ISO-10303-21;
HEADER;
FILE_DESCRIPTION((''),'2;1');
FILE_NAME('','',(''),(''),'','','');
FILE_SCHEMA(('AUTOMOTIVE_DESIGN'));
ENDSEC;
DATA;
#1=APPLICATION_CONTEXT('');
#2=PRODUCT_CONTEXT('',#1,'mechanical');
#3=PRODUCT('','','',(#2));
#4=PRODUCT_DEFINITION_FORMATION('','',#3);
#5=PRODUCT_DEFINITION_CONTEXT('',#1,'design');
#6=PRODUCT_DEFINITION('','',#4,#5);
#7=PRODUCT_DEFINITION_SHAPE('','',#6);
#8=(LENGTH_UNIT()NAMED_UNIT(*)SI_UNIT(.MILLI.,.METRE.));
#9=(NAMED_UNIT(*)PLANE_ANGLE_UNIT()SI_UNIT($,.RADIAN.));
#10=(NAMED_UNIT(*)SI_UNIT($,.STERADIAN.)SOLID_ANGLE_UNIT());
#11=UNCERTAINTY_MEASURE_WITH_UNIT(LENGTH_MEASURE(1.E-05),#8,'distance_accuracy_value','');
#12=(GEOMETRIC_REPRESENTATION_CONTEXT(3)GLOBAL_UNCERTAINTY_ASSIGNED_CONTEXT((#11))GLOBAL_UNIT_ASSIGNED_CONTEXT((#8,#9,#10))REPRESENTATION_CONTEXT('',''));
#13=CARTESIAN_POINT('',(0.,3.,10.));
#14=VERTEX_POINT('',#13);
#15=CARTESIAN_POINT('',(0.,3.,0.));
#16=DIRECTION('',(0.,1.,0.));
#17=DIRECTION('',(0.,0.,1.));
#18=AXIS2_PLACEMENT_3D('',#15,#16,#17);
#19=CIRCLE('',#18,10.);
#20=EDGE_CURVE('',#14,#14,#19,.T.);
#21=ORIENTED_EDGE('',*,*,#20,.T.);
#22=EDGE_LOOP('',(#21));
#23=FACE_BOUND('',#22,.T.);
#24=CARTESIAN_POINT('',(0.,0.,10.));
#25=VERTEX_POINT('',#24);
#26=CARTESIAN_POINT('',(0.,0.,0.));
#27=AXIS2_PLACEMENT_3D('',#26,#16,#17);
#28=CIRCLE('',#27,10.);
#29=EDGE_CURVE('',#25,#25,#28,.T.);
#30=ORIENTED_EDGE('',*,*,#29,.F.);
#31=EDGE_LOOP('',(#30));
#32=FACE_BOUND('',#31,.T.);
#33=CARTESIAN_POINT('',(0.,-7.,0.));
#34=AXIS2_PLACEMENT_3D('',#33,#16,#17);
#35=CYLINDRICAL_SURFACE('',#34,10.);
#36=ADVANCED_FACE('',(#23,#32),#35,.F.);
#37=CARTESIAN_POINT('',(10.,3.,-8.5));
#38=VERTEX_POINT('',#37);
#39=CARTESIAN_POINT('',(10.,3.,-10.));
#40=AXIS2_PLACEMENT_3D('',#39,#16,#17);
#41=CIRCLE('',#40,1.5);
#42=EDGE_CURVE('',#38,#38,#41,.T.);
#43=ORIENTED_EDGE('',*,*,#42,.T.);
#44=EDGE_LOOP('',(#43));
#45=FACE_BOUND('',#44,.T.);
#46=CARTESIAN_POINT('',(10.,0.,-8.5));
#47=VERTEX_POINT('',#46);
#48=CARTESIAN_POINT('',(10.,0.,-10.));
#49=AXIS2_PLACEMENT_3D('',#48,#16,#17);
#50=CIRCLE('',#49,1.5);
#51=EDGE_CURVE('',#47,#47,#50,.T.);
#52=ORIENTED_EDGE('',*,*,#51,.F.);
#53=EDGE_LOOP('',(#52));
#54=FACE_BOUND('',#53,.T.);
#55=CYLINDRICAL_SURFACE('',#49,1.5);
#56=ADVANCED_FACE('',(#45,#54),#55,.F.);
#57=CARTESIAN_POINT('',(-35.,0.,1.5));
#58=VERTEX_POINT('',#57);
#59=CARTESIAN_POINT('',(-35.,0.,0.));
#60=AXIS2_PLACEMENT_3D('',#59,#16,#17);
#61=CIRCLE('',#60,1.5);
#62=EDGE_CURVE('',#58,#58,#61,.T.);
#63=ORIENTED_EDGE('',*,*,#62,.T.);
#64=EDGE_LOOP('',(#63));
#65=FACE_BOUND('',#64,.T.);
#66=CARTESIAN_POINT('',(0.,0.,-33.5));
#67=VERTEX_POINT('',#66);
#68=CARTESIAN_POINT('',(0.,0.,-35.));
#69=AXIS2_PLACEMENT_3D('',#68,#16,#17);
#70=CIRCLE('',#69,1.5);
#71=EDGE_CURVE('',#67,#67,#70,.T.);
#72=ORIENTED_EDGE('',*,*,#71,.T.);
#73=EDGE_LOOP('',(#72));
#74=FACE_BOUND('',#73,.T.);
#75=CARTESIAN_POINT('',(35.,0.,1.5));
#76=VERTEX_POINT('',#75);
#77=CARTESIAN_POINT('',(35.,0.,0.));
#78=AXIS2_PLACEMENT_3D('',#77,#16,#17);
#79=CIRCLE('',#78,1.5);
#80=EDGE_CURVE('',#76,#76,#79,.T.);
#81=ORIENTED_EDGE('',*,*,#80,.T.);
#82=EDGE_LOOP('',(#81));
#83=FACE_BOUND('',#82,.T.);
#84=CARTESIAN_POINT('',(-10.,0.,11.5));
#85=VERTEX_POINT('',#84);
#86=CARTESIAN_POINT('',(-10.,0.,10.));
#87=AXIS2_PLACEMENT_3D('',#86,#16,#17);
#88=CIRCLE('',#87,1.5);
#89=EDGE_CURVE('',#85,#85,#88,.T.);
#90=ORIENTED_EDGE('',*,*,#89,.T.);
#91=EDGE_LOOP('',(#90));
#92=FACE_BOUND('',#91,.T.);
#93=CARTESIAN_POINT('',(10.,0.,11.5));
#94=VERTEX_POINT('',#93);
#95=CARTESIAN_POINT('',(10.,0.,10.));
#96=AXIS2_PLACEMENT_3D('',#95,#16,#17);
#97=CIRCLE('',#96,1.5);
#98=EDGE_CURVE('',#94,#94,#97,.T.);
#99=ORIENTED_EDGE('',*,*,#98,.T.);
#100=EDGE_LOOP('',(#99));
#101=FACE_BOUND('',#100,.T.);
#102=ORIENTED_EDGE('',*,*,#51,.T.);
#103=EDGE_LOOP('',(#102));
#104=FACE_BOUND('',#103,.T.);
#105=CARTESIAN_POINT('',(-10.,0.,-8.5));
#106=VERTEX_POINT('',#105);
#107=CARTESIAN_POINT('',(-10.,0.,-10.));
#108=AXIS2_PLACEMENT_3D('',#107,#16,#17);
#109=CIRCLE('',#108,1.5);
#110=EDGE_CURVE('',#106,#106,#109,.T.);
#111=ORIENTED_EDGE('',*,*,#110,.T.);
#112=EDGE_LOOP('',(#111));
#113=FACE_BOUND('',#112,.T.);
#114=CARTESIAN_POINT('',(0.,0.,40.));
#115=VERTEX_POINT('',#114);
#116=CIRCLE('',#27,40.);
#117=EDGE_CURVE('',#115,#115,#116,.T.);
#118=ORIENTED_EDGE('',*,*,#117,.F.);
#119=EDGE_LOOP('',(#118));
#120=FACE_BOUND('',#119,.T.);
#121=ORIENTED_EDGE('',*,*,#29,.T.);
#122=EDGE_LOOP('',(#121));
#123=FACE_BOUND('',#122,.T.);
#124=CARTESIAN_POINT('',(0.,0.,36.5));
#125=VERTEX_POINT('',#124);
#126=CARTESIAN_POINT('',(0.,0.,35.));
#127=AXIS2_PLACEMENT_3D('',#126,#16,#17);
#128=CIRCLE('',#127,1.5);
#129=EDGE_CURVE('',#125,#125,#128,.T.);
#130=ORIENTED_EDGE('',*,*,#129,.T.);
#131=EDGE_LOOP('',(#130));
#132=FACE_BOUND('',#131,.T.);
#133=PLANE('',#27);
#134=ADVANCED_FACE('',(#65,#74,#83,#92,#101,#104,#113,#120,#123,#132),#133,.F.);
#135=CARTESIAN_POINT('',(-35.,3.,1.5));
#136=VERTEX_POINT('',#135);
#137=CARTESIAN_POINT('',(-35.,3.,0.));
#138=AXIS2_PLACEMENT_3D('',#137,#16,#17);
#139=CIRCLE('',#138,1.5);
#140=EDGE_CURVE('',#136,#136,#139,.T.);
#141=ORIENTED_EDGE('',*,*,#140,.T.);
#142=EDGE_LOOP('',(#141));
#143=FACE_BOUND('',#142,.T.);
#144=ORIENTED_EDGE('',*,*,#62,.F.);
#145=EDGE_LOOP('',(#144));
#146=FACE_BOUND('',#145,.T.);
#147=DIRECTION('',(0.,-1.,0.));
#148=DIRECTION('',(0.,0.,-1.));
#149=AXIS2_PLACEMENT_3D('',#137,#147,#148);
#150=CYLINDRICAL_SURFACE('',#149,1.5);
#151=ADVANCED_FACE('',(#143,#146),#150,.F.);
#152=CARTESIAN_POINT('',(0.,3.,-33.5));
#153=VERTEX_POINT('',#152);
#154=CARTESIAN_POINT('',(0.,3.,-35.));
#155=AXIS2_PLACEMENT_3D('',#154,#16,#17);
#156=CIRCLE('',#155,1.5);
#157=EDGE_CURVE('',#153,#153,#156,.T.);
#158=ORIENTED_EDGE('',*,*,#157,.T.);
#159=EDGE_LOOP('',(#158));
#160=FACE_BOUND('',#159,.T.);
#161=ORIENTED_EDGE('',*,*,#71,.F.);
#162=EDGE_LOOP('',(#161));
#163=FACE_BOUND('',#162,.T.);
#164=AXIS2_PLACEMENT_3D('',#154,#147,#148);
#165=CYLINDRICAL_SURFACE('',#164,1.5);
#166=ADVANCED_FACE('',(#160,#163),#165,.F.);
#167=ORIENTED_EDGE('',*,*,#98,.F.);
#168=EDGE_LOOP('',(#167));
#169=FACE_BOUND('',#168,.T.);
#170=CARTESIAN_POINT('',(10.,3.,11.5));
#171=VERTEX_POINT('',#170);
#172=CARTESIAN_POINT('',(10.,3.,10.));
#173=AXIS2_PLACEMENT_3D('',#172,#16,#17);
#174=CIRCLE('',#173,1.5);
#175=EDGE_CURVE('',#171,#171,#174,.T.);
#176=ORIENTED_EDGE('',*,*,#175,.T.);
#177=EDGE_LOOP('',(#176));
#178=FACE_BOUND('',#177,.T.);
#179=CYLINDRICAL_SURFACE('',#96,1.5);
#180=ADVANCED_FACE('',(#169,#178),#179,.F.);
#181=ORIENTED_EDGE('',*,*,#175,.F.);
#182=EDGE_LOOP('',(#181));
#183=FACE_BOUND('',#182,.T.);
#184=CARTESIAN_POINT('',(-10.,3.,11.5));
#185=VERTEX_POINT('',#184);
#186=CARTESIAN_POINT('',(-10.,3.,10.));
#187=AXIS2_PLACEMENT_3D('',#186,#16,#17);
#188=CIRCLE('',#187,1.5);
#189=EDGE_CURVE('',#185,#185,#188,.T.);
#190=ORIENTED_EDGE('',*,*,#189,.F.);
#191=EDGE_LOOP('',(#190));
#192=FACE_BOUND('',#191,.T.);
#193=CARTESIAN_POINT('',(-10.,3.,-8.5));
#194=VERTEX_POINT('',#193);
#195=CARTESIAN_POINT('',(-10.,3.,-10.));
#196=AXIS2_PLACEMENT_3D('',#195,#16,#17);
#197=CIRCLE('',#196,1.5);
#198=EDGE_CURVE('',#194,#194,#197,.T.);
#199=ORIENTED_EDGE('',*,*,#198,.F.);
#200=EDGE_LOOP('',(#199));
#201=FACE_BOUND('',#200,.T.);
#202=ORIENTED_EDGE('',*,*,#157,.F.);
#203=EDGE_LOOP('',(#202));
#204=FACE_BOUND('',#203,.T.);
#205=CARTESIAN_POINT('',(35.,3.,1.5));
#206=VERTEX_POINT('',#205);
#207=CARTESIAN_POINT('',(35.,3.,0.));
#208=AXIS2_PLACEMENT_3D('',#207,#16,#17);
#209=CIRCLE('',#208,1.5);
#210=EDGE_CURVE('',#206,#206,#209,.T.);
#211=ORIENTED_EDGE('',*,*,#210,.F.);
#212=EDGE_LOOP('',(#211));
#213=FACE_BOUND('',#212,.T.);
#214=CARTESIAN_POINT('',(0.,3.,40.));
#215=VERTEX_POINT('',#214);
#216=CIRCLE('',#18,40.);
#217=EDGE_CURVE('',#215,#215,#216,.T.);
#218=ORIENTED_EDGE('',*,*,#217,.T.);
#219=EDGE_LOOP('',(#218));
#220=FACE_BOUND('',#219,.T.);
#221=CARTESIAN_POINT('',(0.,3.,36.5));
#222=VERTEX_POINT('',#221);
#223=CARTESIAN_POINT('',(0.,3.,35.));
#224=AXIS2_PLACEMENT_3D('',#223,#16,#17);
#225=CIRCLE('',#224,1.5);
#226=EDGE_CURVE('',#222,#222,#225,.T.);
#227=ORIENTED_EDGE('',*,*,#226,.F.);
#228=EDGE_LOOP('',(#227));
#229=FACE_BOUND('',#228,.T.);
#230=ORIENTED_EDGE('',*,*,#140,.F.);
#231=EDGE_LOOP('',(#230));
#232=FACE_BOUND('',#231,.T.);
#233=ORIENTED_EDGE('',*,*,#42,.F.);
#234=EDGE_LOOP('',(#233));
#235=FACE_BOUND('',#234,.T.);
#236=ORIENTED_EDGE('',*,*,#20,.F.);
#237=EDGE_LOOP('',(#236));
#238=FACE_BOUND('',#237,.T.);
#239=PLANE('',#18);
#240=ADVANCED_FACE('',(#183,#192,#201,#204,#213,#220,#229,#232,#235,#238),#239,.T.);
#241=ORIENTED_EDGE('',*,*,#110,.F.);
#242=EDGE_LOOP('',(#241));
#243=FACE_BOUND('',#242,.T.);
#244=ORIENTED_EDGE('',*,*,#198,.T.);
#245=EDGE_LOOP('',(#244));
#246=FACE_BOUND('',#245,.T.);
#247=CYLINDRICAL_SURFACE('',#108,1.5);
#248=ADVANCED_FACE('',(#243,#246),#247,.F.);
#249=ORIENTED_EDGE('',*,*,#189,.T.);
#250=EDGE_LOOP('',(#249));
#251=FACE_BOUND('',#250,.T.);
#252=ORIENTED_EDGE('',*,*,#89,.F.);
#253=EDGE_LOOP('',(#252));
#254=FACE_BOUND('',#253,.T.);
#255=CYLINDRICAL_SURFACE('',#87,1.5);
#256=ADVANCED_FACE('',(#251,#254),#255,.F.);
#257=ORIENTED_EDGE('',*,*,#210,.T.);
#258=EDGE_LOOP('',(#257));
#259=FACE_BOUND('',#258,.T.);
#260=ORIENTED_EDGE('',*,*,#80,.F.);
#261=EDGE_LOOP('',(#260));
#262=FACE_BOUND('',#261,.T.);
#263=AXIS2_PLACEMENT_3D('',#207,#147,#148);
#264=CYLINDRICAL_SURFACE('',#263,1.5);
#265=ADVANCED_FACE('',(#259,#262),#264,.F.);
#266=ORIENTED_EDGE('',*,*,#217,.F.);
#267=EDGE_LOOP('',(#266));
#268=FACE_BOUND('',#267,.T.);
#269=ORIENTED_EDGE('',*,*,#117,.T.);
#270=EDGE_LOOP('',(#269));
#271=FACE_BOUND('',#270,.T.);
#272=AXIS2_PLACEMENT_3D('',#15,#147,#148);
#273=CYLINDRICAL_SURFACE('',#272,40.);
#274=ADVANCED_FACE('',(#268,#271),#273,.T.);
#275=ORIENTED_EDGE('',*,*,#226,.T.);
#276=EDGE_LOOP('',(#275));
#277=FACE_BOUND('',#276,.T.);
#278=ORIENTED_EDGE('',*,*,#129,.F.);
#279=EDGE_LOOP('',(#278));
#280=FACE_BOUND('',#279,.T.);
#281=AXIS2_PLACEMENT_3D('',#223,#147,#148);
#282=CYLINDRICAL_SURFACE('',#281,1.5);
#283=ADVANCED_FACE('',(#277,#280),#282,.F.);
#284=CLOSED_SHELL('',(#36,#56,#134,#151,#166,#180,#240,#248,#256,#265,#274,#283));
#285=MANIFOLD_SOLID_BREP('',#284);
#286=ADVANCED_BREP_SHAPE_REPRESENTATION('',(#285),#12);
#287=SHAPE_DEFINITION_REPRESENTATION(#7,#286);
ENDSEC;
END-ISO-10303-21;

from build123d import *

# Parameters (mm, degrees)
SKETCH1_R           = 40
SKETCH1_R_2         = 1.5
BOSS_EXTRUDE1_DEPTH = 3
SKETCH2_R           = 1.5
CUT_EXTRUDE1_DEPTH  = 3
SKETCH3_R           = 10
CUT_EXTRUDE2_DEPTH  = 10


with BuildPart() as part:
    # Sketch1 → Boss-Extrude1 (new body)
    with BuildSketch(Plane(origin=(0, 0, 0), x_dir=(1, 0, 0), z_dir=(0, 1, 0))):
        Circle(SKETCH1_R)
        with Locations((0, 35)):
            Circle(SKETCH1_R_2, mode=Mode.SUBTRACT)
        with Locations((35, 0)):
            Circle(SKETCH1_R_2, mode=Mode.SUBTRACT)
        with Locations((0, -35)):
            Circle(SKETCH1_R_2, mode=Mode.SUBTRACT)
        with Locations((-35, 0)):
            Circle(SKETCH1_R_2, mode=Mode.SUBTRACT)
    extrude(amount=BOSS_EXTRUDE1_DEPTH)

    # Sketch2 → Cut-Extrude1 (cut)
    with BuildSketch(Plane(origin=(0, 3, 0), x_dir=(1, 0, 0), z_dir=(0, 1, 0))):
        with Locations((10, 10)):
            Circle(SKETCH2_R)
        with Locations((-10, 10)):
            Circle(SKETCH2_R)
        with Locations((-10, -10)):
            Circle(SKETCH2_R)
        with Locations((10, -10)):
            Circle(SKETCH2_R)
    extrude(amount=-CUT_EXTRUDE1_DEPTH, mode=Mode.SUBTRACT)

    # Sketch3 → Cut-Extrude2 (cut)
    with BuildSketch(Plane(origin=(0, 3, 0), x_dir=(1, 0, 0), z_dir=(0, 1, 0))):
        Circle(SKETCH3_R)
    extrude(amount=-CUT_EXTRUDE2_DEPTH, mode=Mode.SUBTRACT)


solid = part.part
